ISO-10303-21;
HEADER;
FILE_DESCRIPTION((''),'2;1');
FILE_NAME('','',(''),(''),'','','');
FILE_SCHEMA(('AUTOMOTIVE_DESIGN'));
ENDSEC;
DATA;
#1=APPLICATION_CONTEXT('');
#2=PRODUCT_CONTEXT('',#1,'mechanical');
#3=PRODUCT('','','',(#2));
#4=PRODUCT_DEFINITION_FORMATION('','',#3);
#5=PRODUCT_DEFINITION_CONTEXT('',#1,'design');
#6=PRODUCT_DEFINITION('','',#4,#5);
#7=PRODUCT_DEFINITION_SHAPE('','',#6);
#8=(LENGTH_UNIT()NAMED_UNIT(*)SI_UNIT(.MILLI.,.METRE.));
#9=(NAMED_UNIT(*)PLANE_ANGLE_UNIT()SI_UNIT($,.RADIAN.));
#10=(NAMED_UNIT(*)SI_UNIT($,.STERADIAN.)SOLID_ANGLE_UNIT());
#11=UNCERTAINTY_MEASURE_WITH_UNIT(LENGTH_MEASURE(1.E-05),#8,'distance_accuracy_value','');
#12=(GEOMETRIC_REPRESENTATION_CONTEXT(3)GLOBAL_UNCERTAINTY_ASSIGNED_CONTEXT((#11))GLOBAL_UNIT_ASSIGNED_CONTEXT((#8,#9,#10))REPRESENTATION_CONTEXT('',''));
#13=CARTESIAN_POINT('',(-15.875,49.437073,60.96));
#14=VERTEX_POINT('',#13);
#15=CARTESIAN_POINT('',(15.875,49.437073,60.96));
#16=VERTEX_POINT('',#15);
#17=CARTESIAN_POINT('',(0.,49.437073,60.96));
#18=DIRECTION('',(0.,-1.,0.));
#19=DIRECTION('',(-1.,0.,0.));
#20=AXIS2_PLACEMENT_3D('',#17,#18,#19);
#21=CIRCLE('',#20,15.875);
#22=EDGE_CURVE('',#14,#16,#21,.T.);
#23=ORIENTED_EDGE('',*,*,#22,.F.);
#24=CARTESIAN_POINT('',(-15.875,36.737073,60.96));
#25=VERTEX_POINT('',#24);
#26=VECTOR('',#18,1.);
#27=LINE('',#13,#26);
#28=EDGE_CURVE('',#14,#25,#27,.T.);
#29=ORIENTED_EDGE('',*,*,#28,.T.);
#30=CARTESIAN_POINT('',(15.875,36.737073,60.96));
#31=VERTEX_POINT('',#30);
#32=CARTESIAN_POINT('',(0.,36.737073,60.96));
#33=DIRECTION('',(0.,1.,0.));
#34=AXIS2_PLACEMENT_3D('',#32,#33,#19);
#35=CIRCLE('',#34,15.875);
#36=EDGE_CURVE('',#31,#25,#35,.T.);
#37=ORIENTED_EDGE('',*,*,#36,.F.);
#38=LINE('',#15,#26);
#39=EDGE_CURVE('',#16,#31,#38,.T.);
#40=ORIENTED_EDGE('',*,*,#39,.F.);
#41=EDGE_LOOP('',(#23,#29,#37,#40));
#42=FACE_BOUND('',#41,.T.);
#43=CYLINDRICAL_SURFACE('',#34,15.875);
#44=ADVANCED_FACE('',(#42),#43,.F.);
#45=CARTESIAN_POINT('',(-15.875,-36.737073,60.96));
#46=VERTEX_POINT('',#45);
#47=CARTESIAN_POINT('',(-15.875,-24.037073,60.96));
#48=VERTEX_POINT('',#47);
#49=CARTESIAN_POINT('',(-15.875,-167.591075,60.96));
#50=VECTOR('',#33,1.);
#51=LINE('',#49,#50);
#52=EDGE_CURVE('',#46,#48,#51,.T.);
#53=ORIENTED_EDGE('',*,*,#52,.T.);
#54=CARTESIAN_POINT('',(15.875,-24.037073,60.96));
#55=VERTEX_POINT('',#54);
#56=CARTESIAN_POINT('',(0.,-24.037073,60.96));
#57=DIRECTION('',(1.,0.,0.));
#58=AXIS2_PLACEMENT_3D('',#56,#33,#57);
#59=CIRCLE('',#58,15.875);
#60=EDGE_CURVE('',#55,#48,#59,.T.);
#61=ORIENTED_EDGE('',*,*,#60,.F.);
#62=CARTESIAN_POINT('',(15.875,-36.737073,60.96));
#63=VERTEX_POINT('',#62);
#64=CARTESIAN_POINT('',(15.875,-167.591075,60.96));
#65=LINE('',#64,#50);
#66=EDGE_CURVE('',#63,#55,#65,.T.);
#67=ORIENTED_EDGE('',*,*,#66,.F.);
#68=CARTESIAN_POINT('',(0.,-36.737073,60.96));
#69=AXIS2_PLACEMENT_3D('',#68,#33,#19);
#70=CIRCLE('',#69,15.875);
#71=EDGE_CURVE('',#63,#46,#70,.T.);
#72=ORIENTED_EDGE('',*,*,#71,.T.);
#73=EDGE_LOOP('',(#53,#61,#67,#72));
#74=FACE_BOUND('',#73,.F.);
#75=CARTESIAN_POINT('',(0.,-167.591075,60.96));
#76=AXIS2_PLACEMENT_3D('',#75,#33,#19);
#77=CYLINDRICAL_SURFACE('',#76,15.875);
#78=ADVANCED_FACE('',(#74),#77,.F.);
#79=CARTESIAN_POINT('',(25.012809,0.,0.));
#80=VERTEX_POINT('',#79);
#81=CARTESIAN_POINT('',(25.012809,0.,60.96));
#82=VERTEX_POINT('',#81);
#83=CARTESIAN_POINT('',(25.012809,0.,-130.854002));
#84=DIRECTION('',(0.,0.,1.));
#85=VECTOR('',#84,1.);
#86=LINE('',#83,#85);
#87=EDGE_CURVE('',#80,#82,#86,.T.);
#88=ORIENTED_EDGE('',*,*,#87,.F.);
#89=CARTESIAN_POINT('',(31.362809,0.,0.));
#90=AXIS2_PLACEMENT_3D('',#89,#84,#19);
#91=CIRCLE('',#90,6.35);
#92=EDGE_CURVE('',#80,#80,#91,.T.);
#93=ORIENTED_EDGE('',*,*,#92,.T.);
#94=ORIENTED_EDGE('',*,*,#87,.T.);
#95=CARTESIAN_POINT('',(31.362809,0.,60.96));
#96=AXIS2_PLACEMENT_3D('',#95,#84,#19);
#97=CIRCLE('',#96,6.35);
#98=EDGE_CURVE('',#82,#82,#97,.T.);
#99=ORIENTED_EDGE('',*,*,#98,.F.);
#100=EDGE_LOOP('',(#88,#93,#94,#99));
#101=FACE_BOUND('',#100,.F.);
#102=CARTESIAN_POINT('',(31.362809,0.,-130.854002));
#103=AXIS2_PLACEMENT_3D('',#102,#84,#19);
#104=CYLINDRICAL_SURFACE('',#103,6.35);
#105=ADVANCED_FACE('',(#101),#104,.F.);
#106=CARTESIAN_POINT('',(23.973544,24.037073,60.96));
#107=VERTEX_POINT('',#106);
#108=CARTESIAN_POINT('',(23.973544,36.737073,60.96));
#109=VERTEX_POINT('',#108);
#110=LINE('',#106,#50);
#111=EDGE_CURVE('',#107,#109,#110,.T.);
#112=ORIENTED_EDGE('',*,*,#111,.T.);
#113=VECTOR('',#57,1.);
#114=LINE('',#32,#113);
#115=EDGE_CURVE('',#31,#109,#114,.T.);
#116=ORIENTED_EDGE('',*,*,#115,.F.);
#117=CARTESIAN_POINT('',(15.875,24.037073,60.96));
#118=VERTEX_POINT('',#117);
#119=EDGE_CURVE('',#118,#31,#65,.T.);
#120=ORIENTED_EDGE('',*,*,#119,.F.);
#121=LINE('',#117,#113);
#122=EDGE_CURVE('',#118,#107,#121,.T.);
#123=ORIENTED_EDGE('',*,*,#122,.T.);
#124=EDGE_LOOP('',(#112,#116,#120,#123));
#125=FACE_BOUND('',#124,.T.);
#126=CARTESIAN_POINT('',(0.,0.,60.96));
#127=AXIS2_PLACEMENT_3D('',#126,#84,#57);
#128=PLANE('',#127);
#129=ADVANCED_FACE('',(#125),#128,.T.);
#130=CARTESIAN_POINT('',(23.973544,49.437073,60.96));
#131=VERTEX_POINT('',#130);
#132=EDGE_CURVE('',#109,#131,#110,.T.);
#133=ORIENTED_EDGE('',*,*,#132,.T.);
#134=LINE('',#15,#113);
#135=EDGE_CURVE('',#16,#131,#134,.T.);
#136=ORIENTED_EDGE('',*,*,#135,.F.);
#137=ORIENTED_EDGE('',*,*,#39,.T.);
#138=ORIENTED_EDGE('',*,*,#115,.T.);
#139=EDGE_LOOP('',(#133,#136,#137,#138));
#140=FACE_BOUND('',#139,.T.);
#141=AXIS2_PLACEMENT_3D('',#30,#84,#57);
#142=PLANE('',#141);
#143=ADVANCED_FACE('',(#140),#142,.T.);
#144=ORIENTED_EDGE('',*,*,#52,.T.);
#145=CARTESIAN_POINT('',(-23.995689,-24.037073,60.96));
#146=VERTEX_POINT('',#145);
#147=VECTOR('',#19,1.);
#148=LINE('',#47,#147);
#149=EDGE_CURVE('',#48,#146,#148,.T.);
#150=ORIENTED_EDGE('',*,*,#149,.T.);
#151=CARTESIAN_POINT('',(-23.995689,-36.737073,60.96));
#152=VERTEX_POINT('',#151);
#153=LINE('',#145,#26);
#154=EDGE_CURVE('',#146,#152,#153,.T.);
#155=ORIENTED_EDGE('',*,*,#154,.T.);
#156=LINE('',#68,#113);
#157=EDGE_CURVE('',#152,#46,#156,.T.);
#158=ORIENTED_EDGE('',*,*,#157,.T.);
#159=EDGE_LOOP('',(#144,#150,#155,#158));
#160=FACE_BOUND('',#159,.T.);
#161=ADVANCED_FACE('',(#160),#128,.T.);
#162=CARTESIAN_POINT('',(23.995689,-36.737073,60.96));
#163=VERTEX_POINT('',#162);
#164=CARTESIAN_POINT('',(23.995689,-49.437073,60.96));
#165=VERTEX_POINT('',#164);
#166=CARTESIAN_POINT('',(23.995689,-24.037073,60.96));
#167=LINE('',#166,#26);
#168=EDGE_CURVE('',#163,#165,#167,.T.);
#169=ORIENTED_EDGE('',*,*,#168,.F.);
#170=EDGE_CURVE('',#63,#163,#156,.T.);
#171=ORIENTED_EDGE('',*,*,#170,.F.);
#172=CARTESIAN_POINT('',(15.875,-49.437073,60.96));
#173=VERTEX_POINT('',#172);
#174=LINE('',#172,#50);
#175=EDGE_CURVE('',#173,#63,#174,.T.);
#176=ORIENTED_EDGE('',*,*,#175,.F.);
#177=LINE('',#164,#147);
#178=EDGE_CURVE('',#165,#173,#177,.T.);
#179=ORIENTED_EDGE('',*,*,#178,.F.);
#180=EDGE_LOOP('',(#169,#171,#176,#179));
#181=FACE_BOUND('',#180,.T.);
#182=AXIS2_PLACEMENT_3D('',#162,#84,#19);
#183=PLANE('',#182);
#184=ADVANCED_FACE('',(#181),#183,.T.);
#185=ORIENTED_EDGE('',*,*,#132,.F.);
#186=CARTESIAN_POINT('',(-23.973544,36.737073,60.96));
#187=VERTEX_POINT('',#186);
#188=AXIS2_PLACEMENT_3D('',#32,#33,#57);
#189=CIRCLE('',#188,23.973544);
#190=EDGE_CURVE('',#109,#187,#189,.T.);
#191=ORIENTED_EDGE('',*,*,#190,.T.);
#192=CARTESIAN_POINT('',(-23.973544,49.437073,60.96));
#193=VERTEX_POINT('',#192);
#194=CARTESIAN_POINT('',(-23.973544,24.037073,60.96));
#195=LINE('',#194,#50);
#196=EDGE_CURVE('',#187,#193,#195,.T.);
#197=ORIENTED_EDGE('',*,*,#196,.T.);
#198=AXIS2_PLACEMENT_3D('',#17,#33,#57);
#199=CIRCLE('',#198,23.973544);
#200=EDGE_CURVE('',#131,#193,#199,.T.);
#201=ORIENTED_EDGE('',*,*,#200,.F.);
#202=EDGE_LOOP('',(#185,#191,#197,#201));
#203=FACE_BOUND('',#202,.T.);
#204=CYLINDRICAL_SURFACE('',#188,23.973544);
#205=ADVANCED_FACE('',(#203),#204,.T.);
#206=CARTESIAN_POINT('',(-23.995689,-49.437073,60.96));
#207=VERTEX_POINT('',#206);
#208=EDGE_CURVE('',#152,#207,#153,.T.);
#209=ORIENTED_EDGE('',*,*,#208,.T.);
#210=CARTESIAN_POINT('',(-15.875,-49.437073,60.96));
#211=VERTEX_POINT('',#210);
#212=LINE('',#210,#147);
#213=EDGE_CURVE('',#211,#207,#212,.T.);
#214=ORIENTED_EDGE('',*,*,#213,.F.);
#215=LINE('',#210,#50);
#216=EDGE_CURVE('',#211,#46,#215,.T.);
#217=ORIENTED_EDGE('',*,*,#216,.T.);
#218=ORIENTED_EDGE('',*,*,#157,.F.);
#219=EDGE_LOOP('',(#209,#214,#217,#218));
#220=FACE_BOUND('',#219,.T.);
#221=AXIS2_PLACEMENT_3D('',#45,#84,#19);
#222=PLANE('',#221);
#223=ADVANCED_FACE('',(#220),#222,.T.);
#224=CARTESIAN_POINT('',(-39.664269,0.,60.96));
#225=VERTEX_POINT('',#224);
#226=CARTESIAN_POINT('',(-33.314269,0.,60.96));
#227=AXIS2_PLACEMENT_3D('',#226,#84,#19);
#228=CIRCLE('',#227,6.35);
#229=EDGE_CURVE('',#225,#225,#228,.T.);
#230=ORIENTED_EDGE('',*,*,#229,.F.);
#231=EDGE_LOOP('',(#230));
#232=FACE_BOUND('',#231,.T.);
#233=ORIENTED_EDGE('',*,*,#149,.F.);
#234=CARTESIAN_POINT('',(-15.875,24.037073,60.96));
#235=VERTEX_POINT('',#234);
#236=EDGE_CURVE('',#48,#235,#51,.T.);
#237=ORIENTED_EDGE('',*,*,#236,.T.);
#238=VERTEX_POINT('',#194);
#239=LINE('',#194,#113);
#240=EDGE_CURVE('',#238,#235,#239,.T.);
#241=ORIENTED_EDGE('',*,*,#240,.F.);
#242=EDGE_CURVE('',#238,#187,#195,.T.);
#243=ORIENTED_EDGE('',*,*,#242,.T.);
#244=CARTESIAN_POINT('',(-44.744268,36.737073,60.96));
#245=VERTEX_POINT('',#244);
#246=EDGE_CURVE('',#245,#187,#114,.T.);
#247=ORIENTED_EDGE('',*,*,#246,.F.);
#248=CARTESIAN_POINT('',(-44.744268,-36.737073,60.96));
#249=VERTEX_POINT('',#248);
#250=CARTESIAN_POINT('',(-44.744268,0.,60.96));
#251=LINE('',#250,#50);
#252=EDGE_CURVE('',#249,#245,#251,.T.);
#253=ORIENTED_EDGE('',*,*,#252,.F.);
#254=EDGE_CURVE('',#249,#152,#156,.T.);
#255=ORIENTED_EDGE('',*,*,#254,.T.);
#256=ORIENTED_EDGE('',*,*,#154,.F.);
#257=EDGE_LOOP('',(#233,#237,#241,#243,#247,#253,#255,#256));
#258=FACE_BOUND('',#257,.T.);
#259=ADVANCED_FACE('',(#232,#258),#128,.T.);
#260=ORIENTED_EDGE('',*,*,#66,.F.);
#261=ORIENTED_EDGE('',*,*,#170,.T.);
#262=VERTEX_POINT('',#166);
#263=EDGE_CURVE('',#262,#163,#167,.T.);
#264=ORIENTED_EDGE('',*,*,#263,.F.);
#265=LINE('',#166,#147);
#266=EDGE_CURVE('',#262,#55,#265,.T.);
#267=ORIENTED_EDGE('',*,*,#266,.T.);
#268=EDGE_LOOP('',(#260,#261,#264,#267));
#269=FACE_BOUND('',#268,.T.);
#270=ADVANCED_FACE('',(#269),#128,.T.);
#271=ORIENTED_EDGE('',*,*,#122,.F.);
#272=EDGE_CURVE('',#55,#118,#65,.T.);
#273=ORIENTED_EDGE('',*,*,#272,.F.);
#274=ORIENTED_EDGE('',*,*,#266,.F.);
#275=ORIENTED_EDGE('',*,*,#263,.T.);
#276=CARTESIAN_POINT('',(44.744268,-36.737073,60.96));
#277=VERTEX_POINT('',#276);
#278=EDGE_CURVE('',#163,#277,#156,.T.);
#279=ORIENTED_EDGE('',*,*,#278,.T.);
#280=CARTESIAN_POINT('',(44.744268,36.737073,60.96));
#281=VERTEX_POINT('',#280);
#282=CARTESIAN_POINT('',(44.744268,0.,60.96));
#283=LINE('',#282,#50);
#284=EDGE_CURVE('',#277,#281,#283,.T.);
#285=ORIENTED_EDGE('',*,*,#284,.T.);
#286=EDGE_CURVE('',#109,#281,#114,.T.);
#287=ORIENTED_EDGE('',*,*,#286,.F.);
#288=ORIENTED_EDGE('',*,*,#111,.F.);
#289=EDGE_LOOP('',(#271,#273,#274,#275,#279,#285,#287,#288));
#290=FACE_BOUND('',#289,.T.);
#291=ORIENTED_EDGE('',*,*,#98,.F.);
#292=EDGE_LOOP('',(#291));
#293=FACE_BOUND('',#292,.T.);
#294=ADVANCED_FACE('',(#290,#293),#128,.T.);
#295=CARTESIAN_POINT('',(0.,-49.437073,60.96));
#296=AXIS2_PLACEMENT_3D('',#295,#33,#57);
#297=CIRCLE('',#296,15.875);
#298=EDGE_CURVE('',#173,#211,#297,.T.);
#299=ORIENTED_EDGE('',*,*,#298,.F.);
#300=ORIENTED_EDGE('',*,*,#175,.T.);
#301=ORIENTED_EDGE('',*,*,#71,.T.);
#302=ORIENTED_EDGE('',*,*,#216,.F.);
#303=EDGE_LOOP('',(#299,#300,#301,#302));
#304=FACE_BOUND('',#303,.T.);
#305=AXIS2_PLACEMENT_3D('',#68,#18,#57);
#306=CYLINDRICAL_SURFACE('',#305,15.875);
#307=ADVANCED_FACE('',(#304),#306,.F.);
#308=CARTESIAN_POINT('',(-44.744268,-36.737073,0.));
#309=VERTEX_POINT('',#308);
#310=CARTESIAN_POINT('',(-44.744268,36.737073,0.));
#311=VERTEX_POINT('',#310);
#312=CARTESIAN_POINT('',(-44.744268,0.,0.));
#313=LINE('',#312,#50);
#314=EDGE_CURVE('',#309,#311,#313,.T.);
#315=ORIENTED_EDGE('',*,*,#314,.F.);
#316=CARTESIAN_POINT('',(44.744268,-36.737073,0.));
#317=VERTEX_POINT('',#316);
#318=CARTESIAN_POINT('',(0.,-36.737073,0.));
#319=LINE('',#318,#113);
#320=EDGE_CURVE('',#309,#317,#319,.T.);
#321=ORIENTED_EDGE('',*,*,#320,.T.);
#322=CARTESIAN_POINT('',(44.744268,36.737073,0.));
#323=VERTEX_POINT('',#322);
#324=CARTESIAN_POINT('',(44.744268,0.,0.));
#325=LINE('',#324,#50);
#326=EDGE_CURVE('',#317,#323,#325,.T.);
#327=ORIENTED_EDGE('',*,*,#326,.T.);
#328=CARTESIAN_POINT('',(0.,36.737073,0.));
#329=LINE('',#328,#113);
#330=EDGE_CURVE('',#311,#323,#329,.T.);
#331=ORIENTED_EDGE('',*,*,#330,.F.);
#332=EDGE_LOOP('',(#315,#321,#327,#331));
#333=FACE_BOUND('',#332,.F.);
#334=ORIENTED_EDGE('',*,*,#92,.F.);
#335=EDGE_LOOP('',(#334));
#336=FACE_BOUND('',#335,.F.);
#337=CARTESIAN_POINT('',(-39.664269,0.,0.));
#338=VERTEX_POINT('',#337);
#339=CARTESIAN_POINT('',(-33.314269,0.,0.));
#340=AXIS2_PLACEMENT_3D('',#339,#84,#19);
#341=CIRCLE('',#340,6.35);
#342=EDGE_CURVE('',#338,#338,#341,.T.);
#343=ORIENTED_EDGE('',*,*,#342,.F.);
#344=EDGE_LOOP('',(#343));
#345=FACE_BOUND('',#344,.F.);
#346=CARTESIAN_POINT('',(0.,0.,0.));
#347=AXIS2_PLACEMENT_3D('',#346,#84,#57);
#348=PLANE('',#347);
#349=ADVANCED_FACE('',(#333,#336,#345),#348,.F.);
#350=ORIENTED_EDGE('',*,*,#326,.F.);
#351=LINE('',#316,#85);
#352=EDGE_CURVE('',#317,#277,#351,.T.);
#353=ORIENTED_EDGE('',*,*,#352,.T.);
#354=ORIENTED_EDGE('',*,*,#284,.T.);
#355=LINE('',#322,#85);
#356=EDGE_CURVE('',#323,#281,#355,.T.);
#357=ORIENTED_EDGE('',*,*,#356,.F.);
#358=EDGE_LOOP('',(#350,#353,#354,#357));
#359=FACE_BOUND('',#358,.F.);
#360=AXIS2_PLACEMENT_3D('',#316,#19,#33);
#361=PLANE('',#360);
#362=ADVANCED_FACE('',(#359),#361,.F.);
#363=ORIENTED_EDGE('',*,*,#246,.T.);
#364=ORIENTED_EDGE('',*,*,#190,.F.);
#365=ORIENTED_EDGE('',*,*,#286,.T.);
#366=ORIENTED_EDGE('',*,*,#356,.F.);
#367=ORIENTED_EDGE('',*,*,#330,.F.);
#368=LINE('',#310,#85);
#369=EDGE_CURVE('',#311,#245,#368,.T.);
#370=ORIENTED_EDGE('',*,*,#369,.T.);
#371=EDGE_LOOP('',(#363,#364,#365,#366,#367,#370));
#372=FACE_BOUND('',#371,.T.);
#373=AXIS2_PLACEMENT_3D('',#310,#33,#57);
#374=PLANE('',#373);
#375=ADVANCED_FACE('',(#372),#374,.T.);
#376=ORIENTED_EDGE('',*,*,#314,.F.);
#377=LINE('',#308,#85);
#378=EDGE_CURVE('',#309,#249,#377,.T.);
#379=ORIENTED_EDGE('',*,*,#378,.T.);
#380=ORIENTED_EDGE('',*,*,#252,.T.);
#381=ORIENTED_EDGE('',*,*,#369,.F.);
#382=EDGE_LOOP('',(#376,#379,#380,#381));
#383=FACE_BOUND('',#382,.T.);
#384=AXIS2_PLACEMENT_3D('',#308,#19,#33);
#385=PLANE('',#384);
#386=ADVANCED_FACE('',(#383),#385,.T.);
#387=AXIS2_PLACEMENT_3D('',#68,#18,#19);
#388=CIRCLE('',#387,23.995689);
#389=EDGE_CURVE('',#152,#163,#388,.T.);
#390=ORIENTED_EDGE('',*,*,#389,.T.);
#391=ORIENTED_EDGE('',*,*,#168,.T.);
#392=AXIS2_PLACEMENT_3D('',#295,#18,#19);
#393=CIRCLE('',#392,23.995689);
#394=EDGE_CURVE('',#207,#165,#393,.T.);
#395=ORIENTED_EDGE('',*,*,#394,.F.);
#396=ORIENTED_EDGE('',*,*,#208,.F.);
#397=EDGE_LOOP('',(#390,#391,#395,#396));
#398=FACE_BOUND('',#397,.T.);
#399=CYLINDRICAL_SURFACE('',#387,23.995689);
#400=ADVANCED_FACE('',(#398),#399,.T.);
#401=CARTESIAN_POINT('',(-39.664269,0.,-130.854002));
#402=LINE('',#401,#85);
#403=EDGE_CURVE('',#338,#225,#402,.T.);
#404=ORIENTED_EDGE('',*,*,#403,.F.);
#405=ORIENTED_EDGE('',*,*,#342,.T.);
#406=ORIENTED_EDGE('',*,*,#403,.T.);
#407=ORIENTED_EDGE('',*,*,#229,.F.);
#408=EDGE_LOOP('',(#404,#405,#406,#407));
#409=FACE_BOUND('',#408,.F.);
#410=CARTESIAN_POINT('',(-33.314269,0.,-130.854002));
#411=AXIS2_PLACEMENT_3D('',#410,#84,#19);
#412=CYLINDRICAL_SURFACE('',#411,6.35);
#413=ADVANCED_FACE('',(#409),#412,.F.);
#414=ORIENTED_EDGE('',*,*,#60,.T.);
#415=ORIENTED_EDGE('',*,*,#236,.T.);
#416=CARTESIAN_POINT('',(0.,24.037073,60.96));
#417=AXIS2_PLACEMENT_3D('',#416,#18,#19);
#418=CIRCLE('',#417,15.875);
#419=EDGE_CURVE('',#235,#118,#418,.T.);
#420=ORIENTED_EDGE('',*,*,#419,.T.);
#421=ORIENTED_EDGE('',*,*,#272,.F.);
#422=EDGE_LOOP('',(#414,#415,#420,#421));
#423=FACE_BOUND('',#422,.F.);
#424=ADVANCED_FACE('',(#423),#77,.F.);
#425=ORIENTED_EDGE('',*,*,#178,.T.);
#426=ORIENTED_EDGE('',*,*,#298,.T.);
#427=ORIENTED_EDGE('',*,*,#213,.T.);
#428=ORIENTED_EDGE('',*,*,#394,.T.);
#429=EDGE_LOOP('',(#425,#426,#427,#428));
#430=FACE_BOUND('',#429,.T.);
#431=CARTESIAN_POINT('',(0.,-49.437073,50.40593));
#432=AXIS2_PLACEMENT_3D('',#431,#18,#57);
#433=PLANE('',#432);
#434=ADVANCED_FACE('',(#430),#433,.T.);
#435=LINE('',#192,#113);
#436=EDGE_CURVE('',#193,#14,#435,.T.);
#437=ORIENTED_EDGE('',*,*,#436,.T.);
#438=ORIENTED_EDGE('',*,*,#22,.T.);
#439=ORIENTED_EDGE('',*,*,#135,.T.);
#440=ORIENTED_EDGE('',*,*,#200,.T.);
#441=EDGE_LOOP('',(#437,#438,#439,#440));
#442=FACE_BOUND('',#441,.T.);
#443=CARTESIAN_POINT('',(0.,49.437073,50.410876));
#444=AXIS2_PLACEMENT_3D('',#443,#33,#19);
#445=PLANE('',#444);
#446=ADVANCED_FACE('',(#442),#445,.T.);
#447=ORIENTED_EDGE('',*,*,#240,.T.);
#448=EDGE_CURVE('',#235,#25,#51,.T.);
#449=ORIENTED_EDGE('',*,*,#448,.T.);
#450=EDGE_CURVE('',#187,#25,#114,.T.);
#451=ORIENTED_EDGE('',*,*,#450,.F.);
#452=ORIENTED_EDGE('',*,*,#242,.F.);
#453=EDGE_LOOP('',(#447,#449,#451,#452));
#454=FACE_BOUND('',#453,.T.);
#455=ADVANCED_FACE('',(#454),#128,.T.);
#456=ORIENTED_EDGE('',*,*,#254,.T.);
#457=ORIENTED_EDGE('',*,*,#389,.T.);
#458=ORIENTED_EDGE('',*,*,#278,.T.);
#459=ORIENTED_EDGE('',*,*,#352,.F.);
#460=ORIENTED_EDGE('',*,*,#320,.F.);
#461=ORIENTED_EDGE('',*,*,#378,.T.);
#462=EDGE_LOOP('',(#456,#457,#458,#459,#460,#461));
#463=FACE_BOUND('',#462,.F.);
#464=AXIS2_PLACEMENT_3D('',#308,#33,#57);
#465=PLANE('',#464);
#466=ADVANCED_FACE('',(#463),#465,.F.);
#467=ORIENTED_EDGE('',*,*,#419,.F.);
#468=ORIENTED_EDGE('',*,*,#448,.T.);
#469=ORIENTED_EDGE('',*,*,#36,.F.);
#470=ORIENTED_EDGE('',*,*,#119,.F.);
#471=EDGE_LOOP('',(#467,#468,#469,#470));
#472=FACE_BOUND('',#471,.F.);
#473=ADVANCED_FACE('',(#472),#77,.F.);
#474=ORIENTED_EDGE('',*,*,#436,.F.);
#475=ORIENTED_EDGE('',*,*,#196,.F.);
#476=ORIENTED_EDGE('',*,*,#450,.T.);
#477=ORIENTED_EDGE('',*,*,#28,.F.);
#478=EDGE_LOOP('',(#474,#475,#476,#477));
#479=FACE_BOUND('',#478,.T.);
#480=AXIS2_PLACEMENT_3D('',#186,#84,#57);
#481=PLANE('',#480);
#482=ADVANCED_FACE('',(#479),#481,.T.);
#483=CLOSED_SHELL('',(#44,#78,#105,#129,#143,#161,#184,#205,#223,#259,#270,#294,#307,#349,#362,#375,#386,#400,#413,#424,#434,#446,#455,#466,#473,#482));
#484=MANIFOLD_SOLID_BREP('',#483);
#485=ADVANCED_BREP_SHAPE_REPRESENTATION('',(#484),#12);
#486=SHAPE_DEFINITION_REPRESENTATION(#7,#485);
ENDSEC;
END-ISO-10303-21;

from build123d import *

# Parameters (mm, degrees)
F0_W     = 89.4885361195
F0_H     = 73.4741464257
F1_DEPTH = 60.96
F3_D     = 12.7
F5_D     = 31.75
F7_DEPTH = 12.7
F9_DEPTH = 12.7


with BuildPart() as f1:
    # F0 (on Top) → F1 (new body)
    with BuildSketch(Plane.XY):
        Rectangle(F0_W, F0_H)
    extrude(amount=F1_DEPTH)

    # F3 (through all)
    with Locations(Plane(origin=(0, 0, 0), x_dir=(1, 0, 0), z_dir=(0, 0, -1))):
        with Locations((-33.3142690361, 0), (31.3628092408, 0)):
            Hole(F3_D / 2)

    # F5 (through all)
    with Locations(Plane.XZ.offset(36.7370732129)):
        with Locations((0, 60.96)):
            Hole(F5_D / 2)

    # F6 (on face) → F7 (join, symmetric)
    with BuildSketch(Plane.XZ.offset(36.7370732129)):
        with BuildLine():
            Line((-15.875, 60.96), (-23.9956887367, 60.96))
            ThreePointArc((-23.9956887367, 60.96), (0, 36.9643112633), (23.9956887367, 60.96))
            Line((23.9956887367, 60.96), (15.875, 60.96))
            ThreePointArc((15.875, 60.96), (0, 45.085), (-15.875, 60.96))
        make_face()
    extrude(amount=F7_DEPTH, both=True)

    # F8 (on face) → F9 (join, symmetric)
    with BuildSketch(Plane(origin=(0, 36.7370732129, 0), x_dir=(-1, 0, 0), z_dir=(0, 1, 0))):
        with BuildLine():
            Line((-15.875, 60.96), (-23.9735442009, 60.96))
            ThreePointArc((-23.9735442009, 60.96), (0, 36.9864557991), (23.9735442009, 60.96))
            Line((23.9735442009, 60.96), (15.875, 60.96))
            ThreePointArc((15.875, 60.96), (0, 45.085), (-15.875, 60.96))
        make_face()
    extrude(amount=F9_DEPTH, both=True)


solid = f1.part
